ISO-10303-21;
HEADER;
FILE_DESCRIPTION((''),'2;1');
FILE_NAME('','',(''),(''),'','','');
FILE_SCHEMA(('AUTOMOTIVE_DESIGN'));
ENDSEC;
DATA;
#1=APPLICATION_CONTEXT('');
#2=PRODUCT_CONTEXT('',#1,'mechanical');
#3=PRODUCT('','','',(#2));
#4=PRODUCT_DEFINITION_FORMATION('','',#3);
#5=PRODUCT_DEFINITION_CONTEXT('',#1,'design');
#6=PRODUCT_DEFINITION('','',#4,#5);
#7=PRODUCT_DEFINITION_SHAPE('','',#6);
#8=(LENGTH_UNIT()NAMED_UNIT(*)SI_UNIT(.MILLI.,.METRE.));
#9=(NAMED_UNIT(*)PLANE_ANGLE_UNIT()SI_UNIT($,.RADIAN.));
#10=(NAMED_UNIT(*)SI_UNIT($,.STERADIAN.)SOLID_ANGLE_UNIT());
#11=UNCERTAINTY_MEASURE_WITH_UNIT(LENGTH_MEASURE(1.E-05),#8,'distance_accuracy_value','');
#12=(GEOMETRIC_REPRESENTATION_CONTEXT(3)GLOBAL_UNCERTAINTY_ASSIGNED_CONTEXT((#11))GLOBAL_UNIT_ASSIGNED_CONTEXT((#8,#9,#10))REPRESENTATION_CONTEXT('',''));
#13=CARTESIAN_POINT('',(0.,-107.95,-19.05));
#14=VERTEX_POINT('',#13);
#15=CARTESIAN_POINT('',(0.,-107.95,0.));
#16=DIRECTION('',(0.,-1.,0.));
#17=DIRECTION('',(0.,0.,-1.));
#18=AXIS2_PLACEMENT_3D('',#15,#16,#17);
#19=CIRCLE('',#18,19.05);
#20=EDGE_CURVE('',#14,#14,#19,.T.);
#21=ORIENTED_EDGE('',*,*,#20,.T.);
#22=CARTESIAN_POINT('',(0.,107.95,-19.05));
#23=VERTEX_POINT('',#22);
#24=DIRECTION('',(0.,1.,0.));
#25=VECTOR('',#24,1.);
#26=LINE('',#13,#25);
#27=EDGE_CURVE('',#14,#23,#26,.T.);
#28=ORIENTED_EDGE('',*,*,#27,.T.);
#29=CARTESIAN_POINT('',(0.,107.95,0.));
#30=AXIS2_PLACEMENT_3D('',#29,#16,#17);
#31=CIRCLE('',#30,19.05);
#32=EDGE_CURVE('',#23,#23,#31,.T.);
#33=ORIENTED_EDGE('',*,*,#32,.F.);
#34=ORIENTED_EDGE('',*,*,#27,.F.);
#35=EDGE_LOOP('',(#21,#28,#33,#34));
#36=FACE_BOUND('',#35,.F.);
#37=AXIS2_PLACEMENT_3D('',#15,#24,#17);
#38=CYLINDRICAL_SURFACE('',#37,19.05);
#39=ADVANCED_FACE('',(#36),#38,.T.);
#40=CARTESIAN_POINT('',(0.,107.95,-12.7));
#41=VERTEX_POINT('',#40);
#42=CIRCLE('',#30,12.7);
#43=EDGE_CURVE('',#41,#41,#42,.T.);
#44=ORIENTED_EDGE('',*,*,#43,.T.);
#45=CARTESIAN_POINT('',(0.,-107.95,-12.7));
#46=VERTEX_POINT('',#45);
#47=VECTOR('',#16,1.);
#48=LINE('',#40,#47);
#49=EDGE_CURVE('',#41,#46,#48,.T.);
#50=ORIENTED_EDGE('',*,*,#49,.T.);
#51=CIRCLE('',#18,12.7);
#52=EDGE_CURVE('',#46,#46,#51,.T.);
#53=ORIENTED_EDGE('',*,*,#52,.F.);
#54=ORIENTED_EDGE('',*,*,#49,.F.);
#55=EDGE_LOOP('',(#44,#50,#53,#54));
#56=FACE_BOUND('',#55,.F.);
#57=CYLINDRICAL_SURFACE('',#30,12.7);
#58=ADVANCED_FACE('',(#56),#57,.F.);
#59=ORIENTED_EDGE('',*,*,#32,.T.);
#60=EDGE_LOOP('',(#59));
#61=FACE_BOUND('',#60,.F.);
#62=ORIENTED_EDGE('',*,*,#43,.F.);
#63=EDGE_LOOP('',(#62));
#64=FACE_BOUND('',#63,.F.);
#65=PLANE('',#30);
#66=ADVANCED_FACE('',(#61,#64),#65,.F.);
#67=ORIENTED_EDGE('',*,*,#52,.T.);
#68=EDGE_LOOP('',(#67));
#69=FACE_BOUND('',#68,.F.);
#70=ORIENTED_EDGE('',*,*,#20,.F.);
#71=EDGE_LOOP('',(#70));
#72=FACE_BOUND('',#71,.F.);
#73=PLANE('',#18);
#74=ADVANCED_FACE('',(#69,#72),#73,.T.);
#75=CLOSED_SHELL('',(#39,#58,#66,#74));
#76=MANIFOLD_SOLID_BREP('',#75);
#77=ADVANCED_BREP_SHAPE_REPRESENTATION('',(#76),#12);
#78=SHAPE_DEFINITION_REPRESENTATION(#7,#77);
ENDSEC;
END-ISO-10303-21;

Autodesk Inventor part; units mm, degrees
ref_plane "YZ Plane" through (0, 0, 0) normal (1, 0, 0) x (0, 1, 0)
ref_plane "XZ Plane" through (0, 0, 0) normal (0, 1, 0) x (-1, 0, 0)
ref_plane "XY Plane" through (0, 0, 0) normal (0, 0, 1) x (1, 0, 0)
sketch "Sketch1" plane through (0, 0, 0) normal (1, 0, 0) x (0, 1, 0)
  line L0 (107.95, -12.7) -> (-107.95, -12.7)
  line L1 (-107.95, -12.7) -> (-107.95, -19.05)
  line L2 (-107.95, -19.05) -> (107.95, -19.05)
  line L3 (107.95, -19.05) -> (107.95, -12.7)
  line L4 (107.95, 0) -> (-107.95, 0) construction
  point P0 (0, 0)
  point P1 (0, 0)
  dimension "d0" = 215.9
  dimension "d1" = 6.35
  dimension "d2" = 38.1
revolve "Revolution1" add sketch "Sketch1" angle 360 about axis through (0, 107.95, 0) along (0, -1, 0)
properties part number "ArmSpindleTube" material "Aluminum 6061"
